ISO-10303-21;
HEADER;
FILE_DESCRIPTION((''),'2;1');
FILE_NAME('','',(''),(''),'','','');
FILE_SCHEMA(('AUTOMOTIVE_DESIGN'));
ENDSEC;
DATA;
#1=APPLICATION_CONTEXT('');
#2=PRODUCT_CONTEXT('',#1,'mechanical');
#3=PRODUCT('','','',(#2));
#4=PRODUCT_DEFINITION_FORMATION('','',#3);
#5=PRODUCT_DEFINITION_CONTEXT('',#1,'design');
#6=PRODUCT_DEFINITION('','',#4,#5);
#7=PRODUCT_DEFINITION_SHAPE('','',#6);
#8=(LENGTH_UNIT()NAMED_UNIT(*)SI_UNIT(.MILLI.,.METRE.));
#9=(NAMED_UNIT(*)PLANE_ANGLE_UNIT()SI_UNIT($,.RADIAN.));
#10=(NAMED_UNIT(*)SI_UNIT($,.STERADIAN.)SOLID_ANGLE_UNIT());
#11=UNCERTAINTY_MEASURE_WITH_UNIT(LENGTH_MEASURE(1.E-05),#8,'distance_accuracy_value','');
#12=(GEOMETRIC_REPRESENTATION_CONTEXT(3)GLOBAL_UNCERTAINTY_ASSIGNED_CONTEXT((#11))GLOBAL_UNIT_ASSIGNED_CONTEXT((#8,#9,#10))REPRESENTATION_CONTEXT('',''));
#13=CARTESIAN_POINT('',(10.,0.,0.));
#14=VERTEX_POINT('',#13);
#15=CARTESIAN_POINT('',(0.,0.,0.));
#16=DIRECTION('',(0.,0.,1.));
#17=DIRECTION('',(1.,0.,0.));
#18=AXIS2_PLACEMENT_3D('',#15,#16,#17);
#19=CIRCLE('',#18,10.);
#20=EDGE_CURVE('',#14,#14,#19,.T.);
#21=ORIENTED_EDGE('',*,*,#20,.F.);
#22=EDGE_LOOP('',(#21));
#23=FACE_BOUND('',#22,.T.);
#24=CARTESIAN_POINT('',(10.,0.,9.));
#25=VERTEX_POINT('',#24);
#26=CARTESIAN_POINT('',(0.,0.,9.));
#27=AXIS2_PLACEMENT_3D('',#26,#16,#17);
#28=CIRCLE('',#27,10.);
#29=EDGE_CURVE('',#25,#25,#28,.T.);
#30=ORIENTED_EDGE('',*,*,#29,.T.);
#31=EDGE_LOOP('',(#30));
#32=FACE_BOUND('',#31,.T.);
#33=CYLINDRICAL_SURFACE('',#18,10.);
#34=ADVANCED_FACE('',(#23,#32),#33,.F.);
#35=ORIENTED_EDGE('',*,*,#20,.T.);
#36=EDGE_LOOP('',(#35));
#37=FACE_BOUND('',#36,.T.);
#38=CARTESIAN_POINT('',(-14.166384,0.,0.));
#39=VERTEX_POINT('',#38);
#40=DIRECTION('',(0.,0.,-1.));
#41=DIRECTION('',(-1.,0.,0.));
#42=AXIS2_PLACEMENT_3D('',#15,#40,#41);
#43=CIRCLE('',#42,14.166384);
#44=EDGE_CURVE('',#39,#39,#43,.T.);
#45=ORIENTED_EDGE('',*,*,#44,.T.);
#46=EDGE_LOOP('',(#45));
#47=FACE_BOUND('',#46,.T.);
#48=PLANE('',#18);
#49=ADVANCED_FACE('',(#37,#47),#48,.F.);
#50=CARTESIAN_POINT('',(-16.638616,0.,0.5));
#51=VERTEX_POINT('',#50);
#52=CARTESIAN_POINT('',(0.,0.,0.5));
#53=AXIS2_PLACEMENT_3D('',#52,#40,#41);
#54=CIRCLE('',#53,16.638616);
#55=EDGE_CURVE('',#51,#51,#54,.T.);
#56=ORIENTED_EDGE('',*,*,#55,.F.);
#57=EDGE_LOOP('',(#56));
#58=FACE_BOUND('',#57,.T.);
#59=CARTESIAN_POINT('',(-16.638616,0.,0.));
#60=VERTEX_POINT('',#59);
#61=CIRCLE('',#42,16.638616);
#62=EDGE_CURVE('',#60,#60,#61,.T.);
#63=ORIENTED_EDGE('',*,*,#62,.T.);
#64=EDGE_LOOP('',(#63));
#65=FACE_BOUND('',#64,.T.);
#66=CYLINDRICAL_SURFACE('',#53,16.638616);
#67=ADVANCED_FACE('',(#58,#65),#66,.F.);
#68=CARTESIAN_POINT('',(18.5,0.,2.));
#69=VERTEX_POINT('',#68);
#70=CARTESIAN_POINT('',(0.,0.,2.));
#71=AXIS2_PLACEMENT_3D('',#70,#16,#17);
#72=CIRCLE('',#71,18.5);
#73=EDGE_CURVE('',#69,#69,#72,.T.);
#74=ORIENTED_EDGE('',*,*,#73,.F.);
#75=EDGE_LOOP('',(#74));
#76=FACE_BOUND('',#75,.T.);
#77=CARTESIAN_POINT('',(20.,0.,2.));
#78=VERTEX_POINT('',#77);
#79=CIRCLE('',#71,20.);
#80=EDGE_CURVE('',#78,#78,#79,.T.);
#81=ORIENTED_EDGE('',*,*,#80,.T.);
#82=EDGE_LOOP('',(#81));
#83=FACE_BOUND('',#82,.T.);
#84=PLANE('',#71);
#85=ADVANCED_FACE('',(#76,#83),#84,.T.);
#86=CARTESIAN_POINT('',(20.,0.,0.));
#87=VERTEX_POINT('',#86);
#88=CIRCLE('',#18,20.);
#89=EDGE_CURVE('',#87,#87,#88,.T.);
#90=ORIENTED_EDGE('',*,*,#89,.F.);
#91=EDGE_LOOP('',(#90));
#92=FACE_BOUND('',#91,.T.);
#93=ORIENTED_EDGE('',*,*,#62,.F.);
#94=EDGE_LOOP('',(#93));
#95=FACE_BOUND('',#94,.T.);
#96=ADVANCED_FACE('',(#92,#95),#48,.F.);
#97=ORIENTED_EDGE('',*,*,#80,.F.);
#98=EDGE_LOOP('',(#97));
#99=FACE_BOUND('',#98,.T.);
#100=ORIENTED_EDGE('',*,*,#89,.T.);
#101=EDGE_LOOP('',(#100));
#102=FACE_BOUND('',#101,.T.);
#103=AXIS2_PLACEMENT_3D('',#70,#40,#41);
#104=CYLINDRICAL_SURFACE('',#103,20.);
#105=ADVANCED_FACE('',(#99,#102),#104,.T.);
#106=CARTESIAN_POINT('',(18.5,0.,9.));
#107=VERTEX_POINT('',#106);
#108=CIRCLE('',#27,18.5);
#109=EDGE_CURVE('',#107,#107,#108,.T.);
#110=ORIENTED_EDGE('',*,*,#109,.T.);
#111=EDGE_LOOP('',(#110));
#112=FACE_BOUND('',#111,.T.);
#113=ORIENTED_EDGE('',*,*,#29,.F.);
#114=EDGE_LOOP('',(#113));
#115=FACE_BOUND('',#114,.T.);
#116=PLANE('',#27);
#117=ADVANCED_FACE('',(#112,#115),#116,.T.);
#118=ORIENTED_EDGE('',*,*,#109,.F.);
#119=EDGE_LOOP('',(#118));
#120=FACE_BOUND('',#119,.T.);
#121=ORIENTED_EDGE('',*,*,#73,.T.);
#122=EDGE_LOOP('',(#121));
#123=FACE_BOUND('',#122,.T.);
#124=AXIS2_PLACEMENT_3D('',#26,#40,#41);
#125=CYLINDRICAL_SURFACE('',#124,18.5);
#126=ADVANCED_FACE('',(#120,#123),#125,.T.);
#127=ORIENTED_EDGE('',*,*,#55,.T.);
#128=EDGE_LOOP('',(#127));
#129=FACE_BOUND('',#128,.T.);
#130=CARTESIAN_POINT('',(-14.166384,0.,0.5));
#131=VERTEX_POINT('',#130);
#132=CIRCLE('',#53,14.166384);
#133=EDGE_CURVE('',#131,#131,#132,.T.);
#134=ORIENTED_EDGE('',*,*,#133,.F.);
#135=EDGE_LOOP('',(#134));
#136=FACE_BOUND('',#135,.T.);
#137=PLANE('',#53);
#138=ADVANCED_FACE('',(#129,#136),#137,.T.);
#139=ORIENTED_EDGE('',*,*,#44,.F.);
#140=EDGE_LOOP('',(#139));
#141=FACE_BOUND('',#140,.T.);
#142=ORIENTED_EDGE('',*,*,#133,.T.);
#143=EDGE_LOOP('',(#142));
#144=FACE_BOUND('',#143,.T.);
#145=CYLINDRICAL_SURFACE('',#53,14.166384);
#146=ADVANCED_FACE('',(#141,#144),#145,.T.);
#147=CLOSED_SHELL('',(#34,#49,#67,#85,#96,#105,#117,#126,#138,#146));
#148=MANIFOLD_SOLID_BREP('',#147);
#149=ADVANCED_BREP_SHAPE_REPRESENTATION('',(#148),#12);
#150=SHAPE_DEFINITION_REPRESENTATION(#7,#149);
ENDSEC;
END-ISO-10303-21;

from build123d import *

# Parameters (mm, degrees)
SKETCH_1_R          = 20
EXTRUDE_1_DEPTH     = 2
SKETCH_2_R          = 18.5
EXTRUDE_2_DEPTH     = 7
SKETCH_3_R          = 10
CUT_EXTRUDE_1_DEPTH = 30.681644159
SKETCH_4_R          = 16.638615911
SKETCH_4_R_2        = 14.166384124
CUT_EXTRUDE_2_DEPTH = 0.5


with BuildPart() as part:
    # 草图1 → 凸台-拉伸1 (new body)
    with BuildSketch(Plane.XY):
        Circle(SKETCH_1_R)
    extrude(amount=EXTRUDE_1_DEPTH)

    # 草图2 → 凸台-拉伸2 (add)
    with BuildSketch(Plane.XY.offset(2)):
        Circle(SKETCH_2_R)
    extrude(amount=EXTRUDE_2_DEPTH)

    # 草图3 → 切除-拉伸1 (cut, through all)
    with BuildSketch(Plane.XY.offset(9)):
        Circle(SKETCH_3_R)
    extrude(amount=-CUT_EXTRUDE_1_DEPTH, mode=Mode.SUBTRACT)

    # 草图4 → 切除-拉伸2 (cut)
    with BuildSketch(Plane(origin=(0, 0, 0), x_dir=(-1, 0, 0), z_dir=(0, 0, -1))):
        Circle(SKETCH_4_R)
        Circle(SKETCH_4_R_2, mode=Mode.SUBTRACT)
    extrude(amount=-CUT_EXTRUDE_2_DEPTH, mode=Mode.SUBTRACT)


solid = part.part
